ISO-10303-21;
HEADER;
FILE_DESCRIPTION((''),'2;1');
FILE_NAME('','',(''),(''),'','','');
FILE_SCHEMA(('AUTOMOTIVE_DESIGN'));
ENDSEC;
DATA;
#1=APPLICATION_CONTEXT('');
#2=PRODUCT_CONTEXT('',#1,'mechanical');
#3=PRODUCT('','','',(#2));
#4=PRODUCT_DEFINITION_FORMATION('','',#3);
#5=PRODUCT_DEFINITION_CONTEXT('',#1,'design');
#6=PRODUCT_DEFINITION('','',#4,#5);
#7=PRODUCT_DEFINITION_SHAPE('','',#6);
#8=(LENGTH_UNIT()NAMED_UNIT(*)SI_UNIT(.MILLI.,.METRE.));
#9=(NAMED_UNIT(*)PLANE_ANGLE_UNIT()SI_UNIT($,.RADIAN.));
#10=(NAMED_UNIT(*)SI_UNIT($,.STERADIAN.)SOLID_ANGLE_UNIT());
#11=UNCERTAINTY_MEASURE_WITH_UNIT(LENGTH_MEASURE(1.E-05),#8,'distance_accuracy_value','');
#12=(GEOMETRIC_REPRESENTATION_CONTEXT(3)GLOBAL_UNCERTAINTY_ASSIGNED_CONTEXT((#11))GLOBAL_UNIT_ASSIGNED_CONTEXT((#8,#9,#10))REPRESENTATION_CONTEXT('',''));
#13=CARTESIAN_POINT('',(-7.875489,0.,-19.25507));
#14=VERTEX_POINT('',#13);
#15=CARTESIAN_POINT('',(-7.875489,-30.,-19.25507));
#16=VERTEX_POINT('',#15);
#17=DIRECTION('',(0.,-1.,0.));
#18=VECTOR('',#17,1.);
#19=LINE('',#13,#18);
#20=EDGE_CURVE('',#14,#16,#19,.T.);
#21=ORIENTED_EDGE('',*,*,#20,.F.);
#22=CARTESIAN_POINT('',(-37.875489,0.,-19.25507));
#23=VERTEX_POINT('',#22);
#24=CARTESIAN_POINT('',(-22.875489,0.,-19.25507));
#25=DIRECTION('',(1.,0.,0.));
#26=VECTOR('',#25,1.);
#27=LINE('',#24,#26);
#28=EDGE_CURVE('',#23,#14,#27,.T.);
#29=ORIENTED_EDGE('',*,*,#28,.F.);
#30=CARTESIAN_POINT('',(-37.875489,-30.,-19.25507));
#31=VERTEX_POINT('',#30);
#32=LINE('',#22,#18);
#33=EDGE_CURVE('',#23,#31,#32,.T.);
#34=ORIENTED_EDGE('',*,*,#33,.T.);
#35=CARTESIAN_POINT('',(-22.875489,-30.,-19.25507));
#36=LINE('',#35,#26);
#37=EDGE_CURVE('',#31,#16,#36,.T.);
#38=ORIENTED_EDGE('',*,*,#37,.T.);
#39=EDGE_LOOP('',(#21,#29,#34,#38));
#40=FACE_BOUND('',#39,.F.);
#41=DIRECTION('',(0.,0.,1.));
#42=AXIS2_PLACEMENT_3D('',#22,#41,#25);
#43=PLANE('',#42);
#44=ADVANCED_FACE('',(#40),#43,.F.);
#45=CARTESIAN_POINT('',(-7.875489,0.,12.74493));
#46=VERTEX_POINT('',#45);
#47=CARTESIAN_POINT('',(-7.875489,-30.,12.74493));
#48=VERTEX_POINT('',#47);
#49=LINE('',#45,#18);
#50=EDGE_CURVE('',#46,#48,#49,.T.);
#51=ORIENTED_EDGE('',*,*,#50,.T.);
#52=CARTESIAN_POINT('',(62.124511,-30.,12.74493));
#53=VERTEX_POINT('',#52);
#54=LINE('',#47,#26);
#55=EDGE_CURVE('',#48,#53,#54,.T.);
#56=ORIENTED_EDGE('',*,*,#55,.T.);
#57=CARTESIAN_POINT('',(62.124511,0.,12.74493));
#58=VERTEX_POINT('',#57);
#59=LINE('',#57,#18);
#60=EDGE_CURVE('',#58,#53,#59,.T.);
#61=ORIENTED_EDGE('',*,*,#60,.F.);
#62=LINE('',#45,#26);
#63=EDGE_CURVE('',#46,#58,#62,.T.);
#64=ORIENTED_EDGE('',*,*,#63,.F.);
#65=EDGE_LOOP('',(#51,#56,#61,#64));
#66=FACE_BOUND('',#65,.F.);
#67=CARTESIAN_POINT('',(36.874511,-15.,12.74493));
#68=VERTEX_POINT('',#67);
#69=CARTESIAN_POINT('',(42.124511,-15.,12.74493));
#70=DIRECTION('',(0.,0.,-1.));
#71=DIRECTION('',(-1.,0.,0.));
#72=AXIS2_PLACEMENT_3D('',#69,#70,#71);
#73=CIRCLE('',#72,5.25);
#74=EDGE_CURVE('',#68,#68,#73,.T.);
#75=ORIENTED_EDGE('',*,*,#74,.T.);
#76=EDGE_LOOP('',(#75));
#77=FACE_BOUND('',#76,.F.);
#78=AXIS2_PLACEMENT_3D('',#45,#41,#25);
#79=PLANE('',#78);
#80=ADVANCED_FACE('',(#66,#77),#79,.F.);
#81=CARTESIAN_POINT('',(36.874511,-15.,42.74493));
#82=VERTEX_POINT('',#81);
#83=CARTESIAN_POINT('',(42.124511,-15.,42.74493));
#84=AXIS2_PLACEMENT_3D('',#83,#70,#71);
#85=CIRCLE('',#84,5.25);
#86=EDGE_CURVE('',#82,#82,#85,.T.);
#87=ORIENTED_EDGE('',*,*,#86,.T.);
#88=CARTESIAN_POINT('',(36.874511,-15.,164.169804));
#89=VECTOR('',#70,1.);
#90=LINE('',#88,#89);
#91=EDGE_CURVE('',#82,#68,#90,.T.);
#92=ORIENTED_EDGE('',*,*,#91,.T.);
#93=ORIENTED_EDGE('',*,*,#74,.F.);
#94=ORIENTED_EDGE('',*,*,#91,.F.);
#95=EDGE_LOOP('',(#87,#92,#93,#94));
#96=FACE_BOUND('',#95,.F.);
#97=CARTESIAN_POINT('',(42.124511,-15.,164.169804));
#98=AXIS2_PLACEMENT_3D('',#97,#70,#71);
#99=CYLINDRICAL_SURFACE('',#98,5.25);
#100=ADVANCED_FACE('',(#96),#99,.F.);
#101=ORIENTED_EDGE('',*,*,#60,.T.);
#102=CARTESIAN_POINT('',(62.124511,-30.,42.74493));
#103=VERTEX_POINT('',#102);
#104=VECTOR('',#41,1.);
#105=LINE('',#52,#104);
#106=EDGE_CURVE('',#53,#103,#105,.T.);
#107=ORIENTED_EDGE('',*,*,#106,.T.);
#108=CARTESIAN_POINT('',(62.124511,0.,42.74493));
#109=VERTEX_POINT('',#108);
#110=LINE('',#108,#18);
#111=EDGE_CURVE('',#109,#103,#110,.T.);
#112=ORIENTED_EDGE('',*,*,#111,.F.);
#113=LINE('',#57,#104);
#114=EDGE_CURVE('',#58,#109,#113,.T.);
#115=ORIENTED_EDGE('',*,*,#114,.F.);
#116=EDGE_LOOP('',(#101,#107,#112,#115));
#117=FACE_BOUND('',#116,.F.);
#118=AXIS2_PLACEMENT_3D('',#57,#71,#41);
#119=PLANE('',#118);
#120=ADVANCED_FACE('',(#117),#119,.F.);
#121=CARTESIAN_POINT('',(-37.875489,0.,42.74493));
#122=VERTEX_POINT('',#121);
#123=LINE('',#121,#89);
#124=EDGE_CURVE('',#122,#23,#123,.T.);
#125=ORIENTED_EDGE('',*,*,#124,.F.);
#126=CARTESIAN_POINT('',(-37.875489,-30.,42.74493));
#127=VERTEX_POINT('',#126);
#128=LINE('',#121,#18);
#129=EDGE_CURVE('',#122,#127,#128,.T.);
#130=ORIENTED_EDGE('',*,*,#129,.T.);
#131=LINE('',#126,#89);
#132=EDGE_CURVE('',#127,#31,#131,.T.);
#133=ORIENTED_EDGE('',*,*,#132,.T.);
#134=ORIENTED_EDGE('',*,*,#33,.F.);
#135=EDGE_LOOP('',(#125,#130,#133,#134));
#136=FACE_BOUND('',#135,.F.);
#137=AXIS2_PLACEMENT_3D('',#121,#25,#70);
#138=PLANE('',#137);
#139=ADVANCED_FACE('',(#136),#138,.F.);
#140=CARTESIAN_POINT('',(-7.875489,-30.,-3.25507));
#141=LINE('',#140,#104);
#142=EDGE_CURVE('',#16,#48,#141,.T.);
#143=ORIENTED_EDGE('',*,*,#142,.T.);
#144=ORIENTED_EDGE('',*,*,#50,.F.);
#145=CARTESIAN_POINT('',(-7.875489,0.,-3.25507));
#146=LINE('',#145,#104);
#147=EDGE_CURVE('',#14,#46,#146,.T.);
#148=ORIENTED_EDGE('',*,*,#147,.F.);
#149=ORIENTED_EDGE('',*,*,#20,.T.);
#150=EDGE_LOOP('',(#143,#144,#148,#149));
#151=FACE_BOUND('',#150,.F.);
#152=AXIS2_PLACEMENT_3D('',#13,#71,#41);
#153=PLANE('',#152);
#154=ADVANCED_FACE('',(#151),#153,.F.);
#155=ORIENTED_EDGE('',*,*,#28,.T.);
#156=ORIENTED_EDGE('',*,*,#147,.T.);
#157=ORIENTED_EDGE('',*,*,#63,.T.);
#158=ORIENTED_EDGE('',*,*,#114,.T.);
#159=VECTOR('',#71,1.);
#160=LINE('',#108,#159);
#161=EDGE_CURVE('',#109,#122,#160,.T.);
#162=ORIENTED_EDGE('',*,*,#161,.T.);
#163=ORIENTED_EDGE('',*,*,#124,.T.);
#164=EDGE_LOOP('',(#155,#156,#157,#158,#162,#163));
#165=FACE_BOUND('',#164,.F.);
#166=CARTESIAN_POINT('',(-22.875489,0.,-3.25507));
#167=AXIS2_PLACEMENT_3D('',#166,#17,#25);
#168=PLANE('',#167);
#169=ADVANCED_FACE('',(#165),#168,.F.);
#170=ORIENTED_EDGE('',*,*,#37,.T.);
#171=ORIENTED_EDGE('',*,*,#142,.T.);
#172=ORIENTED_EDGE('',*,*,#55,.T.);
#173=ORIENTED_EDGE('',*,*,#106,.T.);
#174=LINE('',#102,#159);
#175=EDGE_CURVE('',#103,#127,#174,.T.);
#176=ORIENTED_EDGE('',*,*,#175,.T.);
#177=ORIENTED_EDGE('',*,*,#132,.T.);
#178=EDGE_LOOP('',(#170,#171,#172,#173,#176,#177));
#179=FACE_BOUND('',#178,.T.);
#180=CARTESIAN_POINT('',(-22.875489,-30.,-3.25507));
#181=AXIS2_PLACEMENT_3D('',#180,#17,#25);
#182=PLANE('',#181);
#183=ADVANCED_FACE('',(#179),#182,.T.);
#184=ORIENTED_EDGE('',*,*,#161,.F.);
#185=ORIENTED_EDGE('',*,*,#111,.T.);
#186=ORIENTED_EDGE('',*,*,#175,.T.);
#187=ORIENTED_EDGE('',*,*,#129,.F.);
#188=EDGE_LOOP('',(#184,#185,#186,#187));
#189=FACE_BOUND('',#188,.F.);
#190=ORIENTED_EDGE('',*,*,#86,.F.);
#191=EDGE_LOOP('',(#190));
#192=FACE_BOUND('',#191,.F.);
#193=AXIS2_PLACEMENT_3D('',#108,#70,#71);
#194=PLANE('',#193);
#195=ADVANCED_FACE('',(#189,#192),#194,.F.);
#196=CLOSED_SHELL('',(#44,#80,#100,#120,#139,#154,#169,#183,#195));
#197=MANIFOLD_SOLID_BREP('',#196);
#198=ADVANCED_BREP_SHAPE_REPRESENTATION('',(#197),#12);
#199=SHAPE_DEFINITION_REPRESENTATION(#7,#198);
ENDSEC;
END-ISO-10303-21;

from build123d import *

# Parameters (mm, degrees)
F0_W     = 30
F0_H     = 32
F1_DEPTH = 30
F3_D     = 10.5


with BuildPart() as f1:
    # F0 (on Front) → F1 (new body)
    with BuildSketch(Plane.XZ):
        with Locations((-22.875489, -3.25507)):
            Rectangle(F0_W, F0_H)
        Polygon((-37.875489, 42.74493), (-37.875489, 12.74493), (-7.875489, 12.74493), (62.124511, 12.74493), (62.124511, 42.74493), align=None)
    extrude(amount=F1_DEPTH)

    # F3 (through all)
    with Locations(Plane.XY.offset(42.74493)):
        with Locations((42.124511, -15)):
            Hole(F3_D / 2)


solid = f1.part
